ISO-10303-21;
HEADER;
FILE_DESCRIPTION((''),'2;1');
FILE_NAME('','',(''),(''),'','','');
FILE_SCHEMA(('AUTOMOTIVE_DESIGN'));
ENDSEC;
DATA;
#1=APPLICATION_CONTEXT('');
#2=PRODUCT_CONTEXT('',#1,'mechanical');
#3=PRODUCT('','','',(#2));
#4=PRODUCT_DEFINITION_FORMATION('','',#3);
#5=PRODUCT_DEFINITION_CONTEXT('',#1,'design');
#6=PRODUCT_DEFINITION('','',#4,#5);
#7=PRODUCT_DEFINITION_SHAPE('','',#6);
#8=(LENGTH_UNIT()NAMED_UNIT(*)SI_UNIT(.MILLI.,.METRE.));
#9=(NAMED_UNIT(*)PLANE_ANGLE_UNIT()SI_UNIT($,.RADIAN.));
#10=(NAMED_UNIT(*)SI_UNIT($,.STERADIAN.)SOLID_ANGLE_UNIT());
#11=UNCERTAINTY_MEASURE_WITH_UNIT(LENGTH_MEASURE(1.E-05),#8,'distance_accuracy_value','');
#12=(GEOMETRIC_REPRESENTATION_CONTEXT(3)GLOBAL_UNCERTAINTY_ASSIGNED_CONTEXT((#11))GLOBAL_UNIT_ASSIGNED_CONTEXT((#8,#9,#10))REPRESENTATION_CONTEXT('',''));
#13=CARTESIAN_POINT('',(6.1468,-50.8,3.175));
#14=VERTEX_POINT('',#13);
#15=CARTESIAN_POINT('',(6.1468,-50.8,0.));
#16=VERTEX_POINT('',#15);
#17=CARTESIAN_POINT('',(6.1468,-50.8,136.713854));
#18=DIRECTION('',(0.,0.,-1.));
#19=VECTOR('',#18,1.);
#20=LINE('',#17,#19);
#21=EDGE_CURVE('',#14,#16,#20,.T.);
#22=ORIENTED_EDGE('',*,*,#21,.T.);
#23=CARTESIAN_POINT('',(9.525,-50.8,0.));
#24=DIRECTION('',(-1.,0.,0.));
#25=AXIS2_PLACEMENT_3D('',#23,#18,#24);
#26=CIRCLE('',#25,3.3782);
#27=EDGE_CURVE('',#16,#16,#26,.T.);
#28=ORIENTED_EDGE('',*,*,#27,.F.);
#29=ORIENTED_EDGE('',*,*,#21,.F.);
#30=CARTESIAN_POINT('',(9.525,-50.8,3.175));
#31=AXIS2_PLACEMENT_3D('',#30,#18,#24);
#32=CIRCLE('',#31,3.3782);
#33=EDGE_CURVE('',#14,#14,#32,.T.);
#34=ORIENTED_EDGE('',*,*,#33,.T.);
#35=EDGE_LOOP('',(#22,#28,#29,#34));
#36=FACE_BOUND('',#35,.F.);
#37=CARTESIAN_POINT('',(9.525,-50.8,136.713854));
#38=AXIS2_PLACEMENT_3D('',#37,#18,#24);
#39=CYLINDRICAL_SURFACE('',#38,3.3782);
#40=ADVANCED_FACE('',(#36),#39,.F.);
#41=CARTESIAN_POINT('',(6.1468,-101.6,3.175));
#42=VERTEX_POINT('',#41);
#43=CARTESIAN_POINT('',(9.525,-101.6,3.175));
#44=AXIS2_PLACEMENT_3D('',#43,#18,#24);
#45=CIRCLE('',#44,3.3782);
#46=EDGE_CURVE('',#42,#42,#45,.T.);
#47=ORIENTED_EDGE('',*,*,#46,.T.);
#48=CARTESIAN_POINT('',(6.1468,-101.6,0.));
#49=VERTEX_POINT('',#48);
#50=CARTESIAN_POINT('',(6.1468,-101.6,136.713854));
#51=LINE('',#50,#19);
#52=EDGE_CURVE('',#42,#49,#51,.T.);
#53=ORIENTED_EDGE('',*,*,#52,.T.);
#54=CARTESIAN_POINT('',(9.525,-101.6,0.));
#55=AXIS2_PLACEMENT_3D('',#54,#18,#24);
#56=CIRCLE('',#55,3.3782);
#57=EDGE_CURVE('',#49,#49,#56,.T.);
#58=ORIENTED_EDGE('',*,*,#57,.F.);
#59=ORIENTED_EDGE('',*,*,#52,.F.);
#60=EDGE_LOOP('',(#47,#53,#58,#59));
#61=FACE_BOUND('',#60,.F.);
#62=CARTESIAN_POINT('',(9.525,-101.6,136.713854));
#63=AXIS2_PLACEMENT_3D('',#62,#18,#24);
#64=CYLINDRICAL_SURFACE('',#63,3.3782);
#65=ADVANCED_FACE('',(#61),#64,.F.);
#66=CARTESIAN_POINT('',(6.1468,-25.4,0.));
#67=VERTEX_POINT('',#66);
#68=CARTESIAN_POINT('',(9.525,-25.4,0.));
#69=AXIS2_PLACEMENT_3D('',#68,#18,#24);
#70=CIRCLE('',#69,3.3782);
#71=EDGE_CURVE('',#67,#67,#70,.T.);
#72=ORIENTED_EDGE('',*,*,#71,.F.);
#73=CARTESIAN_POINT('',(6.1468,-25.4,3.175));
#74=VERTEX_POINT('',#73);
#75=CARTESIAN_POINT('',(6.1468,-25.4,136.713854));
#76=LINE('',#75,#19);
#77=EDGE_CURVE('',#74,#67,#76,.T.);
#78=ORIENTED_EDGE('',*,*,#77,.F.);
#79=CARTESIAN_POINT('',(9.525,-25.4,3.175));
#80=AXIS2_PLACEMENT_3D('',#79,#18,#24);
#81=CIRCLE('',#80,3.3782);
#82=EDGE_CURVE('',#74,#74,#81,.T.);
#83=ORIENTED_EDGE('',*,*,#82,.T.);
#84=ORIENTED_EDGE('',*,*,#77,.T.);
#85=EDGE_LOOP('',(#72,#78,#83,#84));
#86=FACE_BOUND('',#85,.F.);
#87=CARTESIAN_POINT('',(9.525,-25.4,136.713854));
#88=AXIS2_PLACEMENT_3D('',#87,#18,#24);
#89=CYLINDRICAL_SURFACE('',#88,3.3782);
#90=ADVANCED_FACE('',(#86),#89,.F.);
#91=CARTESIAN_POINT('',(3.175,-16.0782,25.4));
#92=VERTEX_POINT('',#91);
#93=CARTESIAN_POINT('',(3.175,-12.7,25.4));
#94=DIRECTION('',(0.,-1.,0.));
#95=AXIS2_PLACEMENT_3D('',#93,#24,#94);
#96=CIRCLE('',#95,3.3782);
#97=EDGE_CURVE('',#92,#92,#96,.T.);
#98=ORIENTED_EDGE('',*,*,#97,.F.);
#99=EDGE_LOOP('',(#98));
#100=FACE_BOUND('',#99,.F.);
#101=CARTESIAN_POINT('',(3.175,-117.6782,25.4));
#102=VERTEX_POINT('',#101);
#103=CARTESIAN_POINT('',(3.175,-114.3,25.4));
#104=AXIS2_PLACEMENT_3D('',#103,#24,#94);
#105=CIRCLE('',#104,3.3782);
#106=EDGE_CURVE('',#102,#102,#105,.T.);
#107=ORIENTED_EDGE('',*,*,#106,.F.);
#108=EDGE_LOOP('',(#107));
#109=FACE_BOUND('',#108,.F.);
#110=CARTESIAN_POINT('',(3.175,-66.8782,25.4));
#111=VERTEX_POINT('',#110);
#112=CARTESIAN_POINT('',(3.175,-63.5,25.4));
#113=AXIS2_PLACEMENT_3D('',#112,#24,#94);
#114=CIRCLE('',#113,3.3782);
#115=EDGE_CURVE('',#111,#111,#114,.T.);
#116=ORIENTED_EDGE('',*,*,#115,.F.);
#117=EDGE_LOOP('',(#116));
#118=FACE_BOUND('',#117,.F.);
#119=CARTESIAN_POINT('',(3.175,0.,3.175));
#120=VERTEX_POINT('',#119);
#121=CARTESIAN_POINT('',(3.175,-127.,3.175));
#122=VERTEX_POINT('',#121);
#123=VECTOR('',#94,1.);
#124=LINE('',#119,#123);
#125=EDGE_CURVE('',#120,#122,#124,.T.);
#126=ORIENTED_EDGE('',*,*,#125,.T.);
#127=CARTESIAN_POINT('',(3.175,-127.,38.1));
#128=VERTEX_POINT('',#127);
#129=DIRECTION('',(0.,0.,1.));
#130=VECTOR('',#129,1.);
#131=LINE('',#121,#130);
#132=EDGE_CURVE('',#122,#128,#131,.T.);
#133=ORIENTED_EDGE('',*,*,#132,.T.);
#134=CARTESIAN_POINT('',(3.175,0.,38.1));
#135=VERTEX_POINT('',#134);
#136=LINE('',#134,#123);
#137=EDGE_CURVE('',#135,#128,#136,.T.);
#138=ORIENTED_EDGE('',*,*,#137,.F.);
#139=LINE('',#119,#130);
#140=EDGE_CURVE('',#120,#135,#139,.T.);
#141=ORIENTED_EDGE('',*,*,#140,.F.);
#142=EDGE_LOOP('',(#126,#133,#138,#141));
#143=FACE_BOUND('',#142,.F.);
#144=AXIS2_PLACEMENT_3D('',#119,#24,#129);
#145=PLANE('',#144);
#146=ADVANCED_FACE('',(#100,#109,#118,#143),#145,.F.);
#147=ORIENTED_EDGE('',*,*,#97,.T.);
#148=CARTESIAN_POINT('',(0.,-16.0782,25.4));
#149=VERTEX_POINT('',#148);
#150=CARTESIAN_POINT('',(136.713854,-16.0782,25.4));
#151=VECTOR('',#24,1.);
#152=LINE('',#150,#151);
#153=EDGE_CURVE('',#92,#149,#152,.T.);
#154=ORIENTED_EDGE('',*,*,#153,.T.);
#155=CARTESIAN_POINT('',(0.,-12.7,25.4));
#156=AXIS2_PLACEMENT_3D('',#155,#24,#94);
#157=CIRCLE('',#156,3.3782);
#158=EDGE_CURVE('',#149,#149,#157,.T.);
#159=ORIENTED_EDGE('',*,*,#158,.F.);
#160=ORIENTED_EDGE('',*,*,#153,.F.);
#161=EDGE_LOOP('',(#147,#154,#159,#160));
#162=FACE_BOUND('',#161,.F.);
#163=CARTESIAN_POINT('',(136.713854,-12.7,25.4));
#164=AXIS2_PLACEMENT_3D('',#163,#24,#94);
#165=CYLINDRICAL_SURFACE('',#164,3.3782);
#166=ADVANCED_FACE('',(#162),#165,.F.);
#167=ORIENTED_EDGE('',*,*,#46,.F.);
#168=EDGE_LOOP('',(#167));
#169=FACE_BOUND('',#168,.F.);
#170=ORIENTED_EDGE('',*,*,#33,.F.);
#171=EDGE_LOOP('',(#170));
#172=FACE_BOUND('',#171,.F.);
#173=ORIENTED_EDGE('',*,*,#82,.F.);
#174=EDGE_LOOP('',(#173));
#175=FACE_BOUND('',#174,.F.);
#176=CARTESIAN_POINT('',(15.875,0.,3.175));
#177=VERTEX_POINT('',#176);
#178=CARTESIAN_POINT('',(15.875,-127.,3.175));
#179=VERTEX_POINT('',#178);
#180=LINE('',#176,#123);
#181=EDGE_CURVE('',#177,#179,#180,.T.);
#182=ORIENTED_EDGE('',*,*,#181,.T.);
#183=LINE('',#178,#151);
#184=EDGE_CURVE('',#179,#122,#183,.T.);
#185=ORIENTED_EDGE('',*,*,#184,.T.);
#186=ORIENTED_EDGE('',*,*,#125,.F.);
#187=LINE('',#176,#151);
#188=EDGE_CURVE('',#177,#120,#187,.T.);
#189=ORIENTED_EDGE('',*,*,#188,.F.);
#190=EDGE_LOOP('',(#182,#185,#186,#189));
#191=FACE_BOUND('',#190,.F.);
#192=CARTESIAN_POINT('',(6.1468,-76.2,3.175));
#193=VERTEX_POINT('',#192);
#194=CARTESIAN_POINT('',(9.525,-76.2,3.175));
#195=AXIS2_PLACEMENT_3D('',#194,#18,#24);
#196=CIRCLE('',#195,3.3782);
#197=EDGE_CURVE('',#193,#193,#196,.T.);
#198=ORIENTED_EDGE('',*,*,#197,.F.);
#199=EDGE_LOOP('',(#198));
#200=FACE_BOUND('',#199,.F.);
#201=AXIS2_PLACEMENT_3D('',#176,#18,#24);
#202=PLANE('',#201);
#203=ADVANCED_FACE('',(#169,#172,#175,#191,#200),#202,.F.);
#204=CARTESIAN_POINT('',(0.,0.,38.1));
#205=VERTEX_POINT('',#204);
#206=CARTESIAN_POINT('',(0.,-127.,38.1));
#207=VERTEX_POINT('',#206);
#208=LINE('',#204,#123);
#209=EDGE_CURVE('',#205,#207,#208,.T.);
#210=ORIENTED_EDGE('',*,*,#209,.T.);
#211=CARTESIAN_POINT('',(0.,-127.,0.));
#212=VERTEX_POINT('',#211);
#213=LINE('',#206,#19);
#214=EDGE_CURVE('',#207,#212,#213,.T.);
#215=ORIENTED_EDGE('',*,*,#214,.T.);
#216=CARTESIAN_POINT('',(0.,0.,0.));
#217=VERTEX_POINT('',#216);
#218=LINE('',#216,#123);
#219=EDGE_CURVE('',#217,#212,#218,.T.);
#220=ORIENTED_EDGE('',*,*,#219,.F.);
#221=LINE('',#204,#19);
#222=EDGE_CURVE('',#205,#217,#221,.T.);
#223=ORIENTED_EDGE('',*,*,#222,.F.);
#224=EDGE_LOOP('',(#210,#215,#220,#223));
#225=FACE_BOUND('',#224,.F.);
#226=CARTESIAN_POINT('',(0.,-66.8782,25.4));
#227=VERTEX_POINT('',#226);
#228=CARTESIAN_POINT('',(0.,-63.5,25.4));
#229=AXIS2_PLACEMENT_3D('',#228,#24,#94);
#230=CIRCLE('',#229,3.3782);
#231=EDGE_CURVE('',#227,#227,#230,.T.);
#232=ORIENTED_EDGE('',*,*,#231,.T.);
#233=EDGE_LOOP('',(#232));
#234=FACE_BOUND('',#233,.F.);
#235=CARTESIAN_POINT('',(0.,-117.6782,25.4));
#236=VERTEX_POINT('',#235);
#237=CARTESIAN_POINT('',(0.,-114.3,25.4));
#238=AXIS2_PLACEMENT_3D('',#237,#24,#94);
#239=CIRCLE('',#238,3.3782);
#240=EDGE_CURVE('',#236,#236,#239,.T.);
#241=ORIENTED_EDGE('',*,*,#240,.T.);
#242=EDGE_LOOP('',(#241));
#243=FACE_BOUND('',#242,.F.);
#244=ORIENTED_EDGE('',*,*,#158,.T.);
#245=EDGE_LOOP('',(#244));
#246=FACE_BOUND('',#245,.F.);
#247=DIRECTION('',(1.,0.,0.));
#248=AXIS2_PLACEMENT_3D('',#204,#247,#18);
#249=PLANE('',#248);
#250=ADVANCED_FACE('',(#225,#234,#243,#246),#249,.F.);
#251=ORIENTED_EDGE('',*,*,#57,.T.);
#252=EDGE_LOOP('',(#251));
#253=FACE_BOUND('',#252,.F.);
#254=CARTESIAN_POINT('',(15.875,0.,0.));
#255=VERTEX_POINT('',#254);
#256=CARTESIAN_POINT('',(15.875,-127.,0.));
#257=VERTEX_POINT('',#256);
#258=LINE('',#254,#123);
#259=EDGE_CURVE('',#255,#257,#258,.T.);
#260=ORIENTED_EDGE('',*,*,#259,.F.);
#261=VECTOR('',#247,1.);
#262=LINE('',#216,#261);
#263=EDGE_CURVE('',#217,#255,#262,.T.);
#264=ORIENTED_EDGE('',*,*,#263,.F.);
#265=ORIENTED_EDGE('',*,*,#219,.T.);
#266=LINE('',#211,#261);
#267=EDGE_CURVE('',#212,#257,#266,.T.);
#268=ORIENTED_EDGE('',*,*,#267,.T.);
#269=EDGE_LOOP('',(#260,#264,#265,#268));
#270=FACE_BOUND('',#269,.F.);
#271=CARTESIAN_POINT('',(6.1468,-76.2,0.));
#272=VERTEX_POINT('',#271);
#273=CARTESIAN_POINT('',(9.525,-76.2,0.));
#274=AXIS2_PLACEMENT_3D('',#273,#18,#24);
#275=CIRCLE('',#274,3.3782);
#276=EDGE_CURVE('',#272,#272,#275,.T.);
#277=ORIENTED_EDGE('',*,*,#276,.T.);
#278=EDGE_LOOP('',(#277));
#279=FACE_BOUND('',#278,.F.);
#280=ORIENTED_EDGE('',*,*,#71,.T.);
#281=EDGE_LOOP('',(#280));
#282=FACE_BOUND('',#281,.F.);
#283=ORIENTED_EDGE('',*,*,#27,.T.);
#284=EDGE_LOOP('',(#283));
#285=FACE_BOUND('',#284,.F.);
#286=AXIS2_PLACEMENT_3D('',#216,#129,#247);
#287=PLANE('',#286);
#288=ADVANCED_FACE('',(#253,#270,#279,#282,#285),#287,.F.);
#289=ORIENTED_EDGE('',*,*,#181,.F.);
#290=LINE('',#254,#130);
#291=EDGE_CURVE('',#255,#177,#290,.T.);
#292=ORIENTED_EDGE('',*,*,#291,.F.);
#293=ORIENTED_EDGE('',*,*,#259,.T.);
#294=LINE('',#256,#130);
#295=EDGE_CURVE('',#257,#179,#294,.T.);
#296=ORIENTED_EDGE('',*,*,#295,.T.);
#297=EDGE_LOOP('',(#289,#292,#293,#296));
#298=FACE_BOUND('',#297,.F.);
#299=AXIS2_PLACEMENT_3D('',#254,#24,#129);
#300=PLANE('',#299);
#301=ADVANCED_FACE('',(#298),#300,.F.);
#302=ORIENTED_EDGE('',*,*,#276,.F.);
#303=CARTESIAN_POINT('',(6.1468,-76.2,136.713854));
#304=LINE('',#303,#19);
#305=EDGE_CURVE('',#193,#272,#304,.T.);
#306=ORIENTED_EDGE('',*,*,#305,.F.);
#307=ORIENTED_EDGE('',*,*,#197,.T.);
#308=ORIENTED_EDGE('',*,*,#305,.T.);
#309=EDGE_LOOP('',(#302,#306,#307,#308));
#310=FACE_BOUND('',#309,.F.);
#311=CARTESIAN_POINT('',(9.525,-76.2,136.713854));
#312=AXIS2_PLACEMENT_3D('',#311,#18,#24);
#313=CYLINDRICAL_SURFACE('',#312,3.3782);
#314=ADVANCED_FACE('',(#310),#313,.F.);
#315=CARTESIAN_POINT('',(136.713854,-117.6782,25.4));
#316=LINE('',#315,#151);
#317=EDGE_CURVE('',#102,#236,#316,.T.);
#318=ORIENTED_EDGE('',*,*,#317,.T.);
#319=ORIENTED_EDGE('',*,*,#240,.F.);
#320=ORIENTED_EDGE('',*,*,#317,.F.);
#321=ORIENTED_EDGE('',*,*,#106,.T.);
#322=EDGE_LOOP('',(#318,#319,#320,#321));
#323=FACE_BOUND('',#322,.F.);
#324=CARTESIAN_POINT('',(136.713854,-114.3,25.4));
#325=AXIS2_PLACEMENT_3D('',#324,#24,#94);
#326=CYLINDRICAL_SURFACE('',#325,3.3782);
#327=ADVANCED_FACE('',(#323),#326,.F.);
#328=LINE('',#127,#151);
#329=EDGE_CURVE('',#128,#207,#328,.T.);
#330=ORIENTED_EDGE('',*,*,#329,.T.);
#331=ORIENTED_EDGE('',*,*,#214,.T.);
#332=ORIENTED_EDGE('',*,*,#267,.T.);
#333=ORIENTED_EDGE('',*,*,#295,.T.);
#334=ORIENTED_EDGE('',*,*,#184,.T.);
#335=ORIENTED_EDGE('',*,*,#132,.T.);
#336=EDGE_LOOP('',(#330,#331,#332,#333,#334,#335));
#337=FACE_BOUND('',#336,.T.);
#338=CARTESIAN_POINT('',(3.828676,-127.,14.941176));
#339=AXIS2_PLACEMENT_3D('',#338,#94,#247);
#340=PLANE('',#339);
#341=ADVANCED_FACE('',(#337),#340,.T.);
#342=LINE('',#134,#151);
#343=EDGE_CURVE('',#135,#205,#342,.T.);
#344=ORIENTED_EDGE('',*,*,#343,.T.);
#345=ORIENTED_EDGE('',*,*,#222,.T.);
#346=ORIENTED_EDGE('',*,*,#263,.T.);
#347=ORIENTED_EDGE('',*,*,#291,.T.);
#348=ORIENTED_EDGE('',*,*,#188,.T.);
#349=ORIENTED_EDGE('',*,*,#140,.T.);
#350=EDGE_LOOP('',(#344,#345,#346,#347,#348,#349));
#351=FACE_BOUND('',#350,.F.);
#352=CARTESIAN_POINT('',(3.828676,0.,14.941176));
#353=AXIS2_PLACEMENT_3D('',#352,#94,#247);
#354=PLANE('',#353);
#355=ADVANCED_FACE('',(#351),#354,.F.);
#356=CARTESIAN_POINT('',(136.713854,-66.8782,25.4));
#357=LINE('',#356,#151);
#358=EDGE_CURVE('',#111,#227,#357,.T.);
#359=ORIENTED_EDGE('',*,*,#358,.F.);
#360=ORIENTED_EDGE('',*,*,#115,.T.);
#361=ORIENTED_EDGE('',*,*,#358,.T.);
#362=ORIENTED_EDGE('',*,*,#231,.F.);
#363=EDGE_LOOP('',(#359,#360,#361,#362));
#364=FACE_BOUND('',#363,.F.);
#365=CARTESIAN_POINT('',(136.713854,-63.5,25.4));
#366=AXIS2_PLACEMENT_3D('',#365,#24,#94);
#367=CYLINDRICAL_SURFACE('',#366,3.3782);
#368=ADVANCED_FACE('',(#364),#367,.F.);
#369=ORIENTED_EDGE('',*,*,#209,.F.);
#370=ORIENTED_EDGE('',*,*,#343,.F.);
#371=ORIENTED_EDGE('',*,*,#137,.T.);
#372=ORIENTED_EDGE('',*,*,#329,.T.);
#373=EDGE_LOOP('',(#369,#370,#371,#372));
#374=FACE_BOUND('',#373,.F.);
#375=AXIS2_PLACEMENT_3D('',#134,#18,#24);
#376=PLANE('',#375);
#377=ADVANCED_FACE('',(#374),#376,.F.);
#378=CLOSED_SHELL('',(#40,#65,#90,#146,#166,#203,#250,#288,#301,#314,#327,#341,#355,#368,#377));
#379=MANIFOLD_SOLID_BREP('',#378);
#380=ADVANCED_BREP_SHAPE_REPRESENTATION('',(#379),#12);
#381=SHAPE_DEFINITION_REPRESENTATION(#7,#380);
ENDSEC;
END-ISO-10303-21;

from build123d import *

# Parameters (mm, degrees)
F1_DEPTH = 127
F3_D     = 6.7564
F5_D     = 6.7564


with BuildPart() as f1:
    # F0 (on Front) → F1 (new body)
    with BuildSketch(Plane.XZ):
        Polygon((0, 38.1), (0, 0), (15.875, 0), (15.875, 3.175), (3.175, 3.175), (3.175, 38.1), align=None)
    extrude(amount=F1_DEPTH)

    # F3 (through all)
    with Locations(Plane.YZ.offset(3.175)):
        with Locations((-114.3, 25.4), (-63.5, 25.4), (-12.7, 25.4)):
            Hole(F3_D / 2)

    # F5 (through all)
    with Locations(Plane.XY.offset(3.175)):
        with Locations((9.525, -101.6), (9.525, -25.4), (9.525, -76.2), (9.525, -50.8)):
            Hole(F5_D / 2)


solid = f1.part
